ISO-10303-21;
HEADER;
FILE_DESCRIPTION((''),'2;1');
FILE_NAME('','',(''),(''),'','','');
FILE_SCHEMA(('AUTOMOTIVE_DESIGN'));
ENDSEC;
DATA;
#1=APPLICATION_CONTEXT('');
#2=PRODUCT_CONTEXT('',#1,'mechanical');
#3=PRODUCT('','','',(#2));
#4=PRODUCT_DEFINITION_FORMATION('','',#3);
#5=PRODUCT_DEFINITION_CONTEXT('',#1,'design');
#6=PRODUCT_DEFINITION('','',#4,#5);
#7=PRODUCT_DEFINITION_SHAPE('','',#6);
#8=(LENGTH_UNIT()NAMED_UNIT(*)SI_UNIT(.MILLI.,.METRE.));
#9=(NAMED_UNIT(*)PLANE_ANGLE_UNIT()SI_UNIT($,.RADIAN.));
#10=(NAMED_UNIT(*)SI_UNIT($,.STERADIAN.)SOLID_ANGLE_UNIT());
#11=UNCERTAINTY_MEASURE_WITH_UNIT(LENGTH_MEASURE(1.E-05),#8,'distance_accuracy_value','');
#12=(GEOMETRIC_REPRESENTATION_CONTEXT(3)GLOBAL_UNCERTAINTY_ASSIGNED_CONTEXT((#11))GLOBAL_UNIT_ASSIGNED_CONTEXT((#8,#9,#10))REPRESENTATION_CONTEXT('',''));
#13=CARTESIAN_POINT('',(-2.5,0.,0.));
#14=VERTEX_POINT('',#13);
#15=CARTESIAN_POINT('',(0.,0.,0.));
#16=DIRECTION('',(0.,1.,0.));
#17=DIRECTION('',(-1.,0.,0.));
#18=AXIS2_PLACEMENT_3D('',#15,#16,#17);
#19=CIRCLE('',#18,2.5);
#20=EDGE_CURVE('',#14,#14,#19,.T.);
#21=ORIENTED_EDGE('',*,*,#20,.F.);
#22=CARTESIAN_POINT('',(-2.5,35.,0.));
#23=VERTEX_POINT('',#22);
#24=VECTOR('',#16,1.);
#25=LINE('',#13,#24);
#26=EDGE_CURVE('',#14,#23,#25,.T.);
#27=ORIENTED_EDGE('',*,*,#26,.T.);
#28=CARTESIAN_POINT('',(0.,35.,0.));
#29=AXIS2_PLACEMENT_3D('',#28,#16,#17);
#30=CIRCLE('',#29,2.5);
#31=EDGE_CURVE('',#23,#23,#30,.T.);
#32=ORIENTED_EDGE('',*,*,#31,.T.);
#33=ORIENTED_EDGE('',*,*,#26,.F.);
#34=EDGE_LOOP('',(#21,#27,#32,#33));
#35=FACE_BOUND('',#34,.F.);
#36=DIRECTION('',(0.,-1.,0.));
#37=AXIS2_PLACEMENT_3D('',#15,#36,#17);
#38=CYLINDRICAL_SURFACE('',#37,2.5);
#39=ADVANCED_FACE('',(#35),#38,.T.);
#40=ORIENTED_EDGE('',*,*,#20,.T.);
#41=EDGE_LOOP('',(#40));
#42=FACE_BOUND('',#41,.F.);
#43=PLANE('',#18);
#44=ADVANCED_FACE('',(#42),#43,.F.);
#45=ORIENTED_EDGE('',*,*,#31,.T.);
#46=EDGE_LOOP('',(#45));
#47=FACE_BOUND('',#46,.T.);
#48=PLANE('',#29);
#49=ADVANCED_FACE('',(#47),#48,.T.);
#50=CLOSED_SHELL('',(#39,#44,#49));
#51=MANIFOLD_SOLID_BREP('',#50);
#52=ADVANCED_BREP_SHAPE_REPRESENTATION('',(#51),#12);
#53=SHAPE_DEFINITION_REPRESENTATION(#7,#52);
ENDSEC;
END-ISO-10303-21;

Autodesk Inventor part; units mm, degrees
ref_plane "YZ Plane" through (0, 0, 0) normal (1, 0, 0) x (0, 1, 0)
ref_plane "XZ Plane" through (0, 0, 0) normal (0, 1, 0) x (-1, 0, 0)
ref_plane "XY Plane" through (0, 0, 0) normal (0, 0, 1) x (1, 0, 0)
sketch "Sketch1" plane through (0, 0, 0) normal (0, 1, 0) x (-1, 0, 0)
  circle A0 centre (0, 0) radius 2.5
  dimension "d0" = 5
extrude "Extrusion1" add sketch "Sketch1" along normal blind 35
thread "Thread1" size "M5x0.8" class "6g" standard "ANSI Metric M Profile" full length
properties part number "eixorodaboba2"
